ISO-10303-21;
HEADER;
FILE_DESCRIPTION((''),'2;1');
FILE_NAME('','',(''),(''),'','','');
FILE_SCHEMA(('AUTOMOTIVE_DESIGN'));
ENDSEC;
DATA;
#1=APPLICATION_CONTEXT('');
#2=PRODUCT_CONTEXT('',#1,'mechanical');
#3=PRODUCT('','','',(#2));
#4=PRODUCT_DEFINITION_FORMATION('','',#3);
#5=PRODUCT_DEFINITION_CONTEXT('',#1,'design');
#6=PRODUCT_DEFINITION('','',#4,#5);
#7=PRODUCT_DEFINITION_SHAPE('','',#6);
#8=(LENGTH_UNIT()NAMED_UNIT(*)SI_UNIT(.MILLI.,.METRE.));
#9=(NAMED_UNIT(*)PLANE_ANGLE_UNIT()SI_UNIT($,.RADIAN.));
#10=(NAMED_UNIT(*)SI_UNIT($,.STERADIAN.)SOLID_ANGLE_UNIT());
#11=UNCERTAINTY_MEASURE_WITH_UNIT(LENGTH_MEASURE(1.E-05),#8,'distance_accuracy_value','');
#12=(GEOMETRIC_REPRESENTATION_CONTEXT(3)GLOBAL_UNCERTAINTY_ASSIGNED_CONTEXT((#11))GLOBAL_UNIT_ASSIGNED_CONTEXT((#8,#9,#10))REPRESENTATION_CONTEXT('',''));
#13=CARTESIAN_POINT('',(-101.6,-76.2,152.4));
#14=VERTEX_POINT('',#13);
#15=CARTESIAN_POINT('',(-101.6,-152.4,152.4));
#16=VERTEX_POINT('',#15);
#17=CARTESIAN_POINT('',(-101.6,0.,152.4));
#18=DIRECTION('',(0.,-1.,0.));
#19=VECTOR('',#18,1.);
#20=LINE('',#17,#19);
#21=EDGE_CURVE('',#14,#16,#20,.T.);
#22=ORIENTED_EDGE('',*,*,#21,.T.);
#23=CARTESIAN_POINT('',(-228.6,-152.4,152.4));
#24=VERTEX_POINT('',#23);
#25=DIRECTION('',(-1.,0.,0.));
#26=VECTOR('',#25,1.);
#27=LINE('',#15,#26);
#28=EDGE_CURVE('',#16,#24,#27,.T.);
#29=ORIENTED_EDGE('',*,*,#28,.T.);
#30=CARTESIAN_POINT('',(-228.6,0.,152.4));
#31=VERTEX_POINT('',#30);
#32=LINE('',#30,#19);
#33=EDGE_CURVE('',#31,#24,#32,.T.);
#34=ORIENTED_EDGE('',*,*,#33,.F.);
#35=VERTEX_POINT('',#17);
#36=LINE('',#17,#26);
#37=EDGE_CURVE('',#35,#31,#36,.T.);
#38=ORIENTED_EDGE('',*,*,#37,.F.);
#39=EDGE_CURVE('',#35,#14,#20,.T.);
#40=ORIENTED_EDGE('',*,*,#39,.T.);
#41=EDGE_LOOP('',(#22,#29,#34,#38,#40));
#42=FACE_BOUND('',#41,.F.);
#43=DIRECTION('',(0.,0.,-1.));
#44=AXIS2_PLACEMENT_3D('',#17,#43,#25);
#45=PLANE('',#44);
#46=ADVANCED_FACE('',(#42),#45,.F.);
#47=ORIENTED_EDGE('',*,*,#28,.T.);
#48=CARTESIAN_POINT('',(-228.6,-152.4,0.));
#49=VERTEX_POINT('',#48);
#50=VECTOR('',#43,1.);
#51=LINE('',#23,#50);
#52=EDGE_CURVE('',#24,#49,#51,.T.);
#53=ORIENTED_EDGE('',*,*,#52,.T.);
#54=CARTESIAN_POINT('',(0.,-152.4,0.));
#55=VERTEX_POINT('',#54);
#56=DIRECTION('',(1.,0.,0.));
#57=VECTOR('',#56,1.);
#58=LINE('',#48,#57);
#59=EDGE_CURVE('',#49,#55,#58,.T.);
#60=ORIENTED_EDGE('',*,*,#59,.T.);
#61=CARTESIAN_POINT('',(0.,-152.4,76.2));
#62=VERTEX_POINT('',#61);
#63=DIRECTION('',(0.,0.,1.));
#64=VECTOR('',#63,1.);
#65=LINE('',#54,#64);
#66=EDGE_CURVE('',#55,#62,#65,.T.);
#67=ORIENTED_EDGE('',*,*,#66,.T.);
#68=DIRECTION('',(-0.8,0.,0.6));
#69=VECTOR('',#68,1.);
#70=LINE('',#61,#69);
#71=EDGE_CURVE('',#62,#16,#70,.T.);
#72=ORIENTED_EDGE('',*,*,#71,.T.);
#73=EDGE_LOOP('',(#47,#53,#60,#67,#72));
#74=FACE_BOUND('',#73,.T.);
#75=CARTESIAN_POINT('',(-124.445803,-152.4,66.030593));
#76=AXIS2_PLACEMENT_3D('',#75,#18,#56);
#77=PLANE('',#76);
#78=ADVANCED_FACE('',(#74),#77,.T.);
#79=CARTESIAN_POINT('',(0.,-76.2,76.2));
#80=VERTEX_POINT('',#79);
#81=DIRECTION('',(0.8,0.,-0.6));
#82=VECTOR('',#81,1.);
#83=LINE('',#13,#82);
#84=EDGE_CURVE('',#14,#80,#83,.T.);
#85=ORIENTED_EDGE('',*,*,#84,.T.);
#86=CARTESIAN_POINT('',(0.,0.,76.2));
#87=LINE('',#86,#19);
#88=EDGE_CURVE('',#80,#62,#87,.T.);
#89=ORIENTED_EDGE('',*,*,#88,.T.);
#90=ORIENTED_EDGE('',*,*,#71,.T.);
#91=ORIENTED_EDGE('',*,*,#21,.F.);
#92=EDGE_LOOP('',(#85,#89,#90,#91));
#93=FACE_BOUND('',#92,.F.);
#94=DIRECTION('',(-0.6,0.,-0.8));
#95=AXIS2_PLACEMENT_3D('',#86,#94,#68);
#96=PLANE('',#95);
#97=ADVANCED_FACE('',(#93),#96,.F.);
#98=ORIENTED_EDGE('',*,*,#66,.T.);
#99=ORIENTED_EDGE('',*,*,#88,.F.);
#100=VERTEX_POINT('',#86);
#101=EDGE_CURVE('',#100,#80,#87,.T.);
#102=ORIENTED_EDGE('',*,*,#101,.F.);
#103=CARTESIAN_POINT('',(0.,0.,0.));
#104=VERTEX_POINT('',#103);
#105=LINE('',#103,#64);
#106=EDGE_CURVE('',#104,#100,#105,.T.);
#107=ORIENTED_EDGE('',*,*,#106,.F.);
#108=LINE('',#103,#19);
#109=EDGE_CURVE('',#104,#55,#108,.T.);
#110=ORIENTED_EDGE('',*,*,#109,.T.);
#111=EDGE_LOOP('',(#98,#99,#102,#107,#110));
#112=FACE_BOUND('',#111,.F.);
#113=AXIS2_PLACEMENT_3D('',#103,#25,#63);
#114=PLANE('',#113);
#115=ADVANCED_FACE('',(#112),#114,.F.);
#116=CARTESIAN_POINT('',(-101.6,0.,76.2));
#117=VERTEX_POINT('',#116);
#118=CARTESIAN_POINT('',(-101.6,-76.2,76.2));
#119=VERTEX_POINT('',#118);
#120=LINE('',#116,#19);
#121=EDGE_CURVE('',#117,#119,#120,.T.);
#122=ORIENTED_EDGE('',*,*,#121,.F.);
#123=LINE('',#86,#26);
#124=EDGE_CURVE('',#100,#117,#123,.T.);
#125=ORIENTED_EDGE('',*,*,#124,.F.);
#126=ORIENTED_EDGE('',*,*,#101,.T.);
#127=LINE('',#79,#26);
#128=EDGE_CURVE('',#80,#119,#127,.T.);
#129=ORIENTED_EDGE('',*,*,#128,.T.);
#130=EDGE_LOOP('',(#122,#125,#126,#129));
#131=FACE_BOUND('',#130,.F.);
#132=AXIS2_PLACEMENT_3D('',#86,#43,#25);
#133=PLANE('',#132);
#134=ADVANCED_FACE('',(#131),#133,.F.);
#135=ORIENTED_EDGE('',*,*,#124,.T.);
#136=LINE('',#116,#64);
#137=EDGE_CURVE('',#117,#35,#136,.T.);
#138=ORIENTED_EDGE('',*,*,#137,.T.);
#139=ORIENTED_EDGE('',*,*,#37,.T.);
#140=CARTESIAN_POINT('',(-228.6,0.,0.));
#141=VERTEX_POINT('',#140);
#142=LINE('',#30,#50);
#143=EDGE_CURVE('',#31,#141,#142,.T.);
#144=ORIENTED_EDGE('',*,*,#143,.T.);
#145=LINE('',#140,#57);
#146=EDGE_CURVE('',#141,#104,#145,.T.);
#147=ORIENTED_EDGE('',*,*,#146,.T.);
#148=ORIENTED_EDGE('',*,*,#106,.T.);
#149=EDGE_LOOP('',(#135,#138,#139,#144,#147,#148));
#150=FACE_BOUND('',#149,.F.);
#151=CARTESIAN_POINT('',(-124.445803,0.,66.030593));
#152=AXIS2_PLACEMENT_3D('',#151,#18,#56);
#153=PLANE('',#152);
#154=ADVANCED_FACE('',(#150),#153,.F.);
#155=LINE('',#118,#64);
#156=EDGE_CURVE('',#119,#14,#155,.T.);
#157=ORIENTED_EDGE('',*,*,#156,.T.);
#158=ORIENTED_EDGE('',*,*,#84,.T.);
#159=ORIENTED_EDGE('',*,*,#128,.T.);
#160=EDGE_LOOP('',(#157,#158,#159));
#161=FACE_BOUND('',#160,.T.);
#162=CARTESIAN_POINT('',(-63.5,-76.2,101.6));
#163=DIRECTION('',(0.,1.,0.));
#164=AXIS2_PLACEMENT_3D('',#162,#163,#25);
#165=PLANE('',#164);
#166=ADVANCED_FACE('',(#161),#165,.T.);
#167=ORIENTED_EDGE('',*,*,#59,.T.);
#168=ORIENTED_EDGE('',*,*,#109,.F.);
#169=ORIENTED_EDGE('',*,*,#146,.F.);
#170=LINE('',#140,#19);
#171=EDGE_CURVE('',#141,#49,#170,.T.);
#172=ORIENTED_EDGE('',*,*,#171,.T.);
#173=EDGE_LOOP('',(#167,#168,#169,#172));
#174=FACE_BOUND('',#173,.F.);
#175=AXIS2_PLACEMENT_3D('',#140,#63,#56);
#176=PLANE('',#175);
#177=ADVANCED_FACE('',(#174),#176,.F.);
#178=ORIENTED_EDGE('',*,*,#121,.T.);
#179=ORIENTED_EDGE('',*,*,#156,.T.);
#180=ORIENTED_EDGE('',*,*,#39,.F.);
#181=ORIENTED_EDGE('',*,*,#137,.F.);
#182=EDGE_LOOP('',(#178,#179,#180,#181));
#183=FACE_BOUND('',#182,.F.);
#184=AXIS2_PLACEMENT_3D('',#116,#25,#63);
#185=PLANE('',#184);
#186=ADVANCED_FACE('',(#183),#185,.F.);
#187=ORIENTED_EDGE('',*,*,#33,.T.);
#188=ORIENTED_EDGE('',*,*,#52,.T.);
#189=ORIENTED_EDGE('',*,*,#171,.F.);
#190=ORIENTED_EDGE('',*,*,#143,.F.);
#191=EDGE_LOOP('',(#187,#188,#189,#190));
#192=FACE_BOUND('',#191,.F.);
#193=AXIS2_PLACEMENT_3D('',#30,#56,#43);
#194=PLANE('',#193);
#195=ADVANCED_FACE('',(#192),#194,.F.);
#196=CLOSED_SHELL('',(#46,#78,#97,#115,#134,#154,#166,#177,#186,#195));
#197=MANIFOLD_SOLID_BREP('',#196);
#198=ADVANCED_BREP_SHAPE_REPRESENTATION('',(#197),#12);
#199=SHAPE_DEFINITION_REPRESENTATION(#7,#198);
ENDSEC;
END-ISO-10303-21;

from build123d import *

# Parameters (mm, degrees)
F1_DEPTH = 152.4
F3_DEPTH = 76.2


with BuildPart() as f1:
    # F0 (on Front) → F1 (new body)
    with BuildSketch(Plane.XZ):
        Polygon((-228.6, 0), (0, 0), (0, 76.2), (-100.878969, 76.2), (-101.6, 152.4), (-228.6, 152.4), align=None)
        Polygon((-100.878969, 76.2), (0, 76.2), (-101.6, 152.4), align=None)
    extrude(amount=F1_DEPTH)

    # F2 (on face) → F3 (cut)
    with BuildSketch(Plane(origin=(0, 0, 0), x_dir=(-1, 0, 0), z_dir=(0, 1, 0))):
        Polygon((101.6, 152.4), (0, 76.2), (101.6, 76.2), align=None)
    extrude(amount=-F3_DEPTH, mode=Mode.SUBTRACT)


solid = f1.part
